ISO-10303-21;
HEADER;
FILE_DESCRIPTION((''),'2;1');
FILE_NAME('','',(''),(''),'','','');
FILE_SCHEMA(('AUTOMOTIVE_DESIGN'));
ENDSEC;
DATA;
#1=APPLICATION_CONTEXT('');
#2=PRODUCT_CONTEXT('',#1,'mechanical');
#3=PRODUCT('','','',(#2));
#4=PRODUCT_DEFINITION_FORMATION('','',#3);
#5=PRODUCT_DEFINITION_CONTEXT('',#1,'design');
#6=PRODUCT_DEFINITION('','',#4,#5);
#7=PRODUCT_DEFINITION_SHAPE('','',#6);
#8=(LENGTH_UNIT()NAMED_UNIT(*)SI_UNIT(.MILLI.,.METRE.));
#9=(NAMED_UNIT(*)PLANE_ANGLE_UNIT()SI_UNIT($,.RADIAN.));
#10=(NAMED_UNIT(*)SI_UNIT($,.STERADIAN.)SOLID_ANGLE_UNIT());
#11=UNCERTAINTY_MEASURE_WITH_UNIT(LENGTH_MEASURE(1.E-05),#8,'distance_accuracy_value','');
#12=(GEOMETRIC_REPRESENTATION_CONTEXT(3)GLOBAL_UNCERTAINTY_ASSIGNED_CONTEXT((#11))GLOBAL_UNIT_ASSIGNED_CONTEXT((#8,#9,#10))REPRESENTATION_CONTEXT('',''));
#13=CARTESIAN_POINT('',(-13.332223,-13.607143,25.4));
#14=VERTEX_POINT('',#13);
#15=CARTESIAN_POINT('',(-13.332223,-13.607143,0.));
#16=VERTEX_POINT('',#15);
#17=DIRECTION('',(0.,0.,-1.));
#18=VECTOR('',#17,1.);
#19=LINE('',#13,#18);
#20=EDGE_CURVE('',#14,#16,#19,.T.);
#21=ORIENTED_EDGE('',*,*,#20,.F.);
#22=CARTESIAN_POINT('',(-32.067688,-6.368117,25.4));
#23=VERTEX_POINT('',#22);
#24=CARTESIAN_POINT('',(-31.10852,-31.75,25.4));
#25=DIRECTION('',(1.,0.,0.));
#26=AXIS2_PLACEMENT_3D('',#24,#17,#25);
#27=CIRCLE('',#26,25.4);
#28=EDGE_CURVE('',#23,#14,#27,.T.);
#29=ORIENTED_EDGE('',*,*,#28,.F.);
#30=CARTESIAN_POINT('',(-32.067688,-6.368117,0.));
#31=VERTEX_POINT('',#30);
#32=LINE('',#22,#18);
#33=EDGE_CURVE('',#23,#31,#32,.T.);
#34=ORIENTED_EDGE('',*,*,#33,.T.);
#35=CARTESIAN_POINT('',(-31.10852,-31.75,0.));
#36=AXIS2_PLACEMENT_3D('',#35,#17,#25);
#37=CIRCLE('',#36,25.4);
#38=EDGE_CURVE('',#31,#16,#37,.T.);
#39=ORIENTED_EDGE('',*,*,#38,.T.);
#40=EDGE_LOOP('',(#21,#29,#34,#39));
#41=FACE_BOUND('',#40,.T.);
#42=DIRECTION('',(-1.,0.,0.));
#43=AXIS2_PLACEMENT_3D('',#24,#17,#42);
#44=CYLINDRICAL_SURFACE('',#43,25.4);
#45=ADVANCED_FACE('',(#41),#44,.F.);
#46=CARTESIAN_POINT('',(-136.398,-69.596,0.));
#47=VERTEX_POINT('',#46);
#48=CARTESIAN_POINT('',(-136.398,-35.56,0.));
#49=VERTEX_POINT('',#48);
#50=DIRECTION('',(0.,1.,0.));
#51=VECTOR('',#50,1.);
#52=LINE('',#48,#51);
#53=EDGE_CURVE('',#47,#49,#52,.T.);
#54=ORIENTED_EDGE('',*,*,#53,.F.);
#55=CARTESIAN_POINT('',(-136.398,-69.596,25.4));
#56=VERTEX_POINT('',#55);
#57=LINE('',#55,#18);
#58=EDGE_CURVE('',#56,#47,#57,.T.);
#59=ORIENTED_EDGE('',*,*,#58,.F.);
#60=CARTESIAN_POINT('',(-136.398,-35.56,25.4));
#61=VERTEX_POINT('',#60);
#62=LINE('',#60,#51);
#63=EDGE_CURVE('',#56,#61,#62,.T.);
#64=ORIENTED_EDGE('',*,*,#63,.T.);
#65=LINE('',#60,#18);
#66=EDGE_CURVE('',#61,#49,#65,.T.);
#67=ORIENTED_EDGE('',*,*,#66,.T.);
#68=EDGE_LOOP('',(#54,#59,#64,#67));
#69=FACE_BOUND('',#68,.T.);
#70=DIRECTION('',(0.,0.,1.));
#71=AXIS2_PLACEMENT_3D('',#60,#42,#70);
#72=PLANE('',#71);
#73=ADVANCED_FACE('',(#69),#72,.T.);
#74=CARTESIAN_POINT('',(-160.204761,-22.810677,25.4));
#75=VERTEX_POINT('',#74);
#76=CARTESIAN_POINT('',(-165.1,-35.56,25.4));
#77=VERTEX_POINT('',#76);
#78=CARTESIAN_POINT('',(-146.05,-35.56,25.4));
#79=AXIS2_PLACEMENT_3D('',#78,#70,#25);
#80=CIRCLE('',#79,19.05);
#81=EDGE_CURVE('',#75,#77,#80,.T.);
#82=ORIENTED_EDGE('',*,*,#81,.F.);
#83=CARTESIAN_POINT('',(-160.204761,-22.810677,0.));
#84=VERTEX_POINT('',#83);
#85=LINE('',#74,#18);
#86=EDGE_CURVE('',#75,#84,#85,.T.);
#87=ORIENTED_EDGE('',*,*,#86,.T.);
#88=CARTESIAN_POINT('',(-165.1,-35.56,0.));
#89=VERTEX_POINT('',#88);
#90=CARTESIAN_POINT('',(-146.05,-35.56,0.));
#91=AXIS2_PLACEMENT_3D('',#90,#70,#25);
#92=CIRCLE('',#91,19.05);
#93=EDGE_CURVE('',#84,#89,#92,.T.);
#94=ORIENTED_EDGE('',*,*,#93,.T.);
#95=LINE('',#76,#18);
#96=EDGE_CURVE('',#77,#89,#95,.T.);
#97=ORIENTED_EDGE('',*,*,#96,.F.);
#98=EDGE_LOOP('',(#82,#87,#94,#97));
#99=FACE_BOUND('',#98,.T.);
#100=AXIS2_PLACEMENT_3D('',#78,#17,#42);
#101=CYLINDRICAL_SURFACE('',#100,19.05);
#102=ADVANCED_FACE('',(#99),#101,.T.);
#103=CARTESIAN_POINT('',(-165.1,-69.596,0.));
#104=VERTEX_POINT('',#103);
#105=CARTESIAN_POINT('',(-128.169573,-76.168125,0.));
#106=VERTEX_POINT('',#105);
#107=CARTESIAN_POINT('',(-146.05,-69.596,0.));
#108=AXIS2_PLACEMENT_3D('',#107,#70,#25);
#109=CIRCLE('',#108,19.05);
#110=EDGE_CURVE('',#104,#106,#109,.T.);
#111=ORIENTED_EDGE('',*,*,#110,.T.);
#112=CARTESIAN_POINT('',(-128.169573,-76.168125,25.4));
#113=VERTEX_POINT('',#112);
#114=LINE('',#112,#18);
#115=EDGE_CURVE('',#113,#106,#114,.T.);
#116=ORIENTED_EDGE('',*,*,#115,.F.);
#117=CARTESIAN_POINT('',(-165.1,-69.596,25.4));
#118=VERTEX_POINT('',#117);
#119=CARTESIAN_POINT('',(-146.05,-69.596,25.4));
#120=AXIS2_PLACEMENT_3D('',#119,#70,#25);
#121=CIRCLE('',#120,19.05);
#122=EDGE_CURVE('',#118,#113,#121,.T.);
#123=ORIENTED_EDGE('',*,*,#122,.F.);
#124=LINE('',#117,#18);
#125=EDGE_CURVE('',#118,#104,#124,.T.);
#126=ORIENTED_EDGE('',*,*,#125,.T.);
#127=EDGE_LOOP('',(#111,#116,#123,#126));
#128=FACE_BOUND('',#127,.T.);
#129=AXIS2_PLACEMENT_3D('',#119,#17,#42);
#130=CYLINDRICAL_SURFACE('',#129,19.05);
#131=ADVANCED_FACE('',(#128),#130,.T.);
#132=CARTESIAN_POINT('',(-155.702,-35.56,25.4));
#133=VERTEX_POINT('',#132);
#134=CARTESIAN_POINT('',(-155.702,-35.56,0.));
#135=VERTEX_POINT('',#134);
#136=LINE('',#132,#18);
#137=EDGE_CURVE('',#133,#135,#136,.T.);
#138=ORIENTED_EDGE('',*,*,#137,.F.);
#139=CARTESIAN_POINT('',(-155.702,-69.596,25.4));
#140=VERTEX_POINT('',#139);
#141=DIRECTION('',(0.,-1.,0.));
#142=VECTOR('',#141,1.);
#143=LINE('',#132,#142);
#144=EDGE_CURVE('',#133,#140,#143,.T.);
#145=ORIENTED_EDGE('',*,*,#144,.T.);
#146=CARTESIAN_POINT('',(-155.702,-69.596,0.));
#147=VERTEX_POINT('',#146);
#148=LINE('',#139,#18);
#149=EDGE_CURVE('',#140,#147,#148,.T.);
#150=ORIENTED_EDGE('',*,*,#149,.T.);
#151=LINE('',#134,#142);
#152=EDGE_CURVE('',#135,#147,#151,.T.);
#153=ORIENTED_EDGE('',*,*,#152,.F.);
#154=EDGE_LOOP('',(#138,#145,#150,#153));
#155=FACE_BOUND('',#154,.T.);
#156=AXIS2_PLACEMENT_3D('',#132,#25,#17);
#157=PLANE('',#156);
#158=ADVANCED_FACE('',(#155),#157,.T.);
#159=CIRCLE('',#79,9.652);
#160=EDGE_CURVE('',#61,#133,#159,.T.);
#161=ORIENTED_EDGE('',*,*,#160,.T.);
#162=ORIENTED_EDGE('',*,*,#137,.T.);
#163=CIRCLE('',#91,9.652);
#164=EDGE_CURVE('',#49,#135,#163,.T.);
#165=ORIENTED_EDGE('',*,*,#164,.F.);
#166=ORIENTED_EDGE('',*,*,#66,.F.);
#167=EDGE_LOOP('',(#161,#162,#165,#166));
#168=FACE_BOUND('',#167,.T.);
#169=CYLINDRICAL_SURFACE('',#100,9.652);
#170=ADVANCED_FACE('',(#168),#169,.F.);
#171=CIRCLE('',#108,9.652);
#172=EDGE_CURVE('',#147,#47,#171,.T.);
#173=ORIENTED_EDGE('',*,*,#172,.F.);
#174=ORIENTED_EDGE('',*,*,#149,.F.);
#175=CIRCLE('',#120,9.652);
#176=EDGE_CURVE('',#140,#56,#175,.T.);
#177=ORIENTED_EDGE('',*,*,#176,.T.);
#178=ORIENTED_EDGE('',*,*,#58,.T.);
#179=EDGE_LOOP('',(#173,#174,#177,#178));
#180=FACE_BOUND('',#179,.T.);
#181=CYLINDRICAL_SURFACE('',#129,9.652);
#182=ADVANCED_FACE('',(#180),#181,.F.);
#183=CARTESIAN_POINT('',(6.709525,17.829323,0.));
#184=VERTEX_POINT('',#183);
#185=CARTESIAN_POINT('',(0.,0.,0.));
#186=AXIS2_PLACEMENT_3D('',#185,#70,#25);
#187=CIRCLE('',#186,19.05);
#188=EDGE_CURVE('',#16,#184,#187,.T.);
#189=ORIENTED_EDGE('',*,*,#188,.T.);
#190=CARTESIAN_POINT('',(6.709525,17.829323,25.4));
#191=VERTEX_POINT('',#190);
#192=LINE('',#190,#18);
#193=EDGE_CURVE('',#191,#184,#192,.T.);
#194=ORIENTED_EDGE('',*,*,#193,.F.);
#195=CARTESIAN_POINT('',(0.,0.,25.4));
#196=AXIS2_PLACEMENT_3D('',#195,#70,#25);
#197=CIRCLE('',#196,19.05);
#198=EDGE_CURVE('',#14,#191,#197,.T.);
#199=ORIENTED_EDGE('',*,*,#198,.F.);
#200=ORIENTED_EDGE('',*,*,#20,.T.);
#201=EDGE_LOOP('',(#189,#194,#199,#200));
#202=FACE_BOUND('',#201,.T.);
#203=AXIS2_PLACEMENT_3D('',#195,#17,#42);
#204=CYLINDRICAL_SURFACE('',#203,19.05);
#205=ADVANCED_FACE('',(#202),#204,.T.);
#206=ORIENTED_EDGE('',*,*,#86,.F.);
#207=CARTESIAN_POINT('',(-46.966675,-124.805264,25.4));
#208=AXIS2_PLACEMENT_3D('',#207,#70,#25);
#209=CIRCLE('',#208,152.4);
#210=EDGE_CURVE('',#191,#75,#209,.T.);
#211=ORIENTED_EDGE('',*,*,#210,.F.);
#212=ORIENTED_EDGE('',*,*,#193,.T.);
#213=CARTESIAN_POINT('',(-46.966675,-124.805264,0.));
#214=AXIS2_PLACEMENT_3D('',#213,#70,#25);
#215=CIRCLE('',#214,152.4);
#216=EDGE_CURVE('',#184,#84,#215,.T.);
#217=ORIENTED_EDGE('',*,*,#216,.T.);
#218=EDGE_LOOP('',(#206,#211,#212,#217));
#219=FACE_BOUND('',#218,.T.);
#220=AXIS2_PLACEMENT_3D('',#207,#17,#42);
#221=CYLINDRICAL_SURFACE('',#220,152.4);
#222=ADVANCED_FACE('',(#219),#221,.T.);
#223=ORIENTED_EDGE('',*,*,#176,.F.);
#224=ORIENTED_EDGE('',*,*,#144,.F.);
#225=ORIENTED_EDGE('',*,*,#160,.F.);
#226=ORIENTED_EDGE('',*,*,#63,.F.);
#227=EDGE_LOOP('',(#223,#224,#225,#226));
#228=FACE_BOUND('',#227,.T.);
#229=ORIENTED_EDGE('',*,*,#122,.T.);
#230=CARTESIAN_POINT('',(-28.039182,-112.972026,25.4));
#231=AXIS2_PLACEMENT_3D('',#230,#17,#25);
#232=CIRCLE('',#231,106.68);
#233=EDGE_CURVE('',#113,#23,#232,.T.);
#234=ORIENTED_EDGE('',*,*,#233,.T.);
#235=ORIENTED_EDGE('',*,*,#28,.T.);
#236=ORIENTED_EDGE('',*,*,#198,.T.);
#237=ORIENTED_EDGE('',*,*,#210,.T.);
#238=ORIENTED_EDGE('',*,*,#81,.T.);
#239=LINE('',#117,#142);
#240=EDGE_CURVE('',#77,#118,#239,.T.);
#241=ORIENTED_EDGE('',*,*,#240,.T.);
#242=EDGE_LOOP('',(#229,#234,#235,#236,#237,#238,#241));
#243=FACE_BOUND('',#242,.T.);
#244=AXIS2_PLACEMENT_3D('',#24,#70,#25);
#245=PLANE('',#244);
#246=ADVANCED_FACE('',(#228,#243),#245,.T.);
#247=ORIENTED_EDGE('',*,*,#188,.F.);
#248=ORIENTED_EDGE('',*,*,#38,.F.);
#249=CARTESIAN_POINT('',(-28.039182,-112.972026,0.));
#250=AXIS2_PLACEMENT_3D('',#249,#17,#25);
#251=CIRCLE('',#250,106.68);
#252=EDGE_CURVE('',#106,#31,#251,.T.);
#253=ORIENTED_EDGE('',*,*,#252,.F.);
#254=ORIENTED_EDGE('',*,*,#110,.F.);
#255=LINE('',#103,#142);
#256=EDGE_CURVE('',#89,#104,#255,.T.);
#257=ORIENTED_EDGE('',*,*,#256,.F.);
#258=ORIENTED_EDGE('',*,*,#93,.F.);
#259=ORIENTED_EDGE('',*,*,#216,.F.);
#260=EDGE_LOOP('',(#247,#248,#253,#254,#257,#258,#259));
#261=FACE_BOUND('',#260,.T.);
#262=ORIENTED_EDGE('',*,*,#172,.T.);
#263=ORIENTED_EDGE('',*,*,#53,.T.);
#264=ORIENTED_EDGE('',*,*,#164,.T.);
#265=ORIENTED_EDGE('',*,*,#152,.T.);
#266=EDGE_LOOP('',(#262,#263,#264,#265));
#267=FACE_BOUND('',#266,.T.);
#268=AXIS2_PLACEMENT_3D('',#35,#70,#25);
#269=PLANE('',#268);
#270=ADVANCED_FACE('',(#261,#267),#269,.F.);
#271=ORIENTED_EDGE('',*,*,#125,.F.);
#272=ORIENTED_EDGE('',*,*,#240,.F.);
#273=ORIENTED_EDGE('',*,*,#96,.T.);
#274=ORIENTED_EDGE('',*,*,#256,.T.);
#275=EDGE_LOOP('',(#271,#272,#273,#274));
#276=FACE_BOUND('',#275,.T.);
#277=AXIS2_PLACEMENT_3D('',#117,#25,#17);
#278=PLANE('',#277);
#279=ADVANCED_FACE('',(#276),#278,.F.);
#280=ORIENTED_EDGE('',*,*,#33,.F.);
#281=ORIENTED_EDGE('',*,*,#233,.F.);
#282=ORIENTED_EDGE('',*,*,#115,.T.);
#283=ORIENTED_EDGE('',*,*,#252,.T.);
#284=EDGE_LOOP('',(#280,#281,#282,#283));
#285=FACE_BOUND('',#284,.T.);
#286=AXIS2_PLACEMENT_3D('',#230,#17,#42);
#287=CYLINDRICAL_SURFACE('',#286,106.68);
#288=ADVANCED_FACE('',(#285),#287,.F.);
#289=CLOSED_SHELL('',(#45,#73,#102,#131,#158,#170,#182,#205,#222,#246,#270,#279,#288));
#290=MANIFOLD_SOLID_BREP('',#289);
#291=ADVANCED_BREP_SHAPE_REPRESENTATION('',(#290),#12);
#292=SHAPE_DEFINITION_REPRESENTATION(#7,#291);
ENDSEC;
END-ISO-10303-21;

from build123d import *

# Parameters (mm, degrees)
BOSS_EXTRUDE1_DEPTH = 25.4


with BuildPart() as part:
    # Sketch1 → Boss-Extrude1 (new body)
    with BuildSketch(Plane.XY):
        with BuildLine():
            Line((-165.1, -69.596), (-165.1, -35.56))
            ThreePointArc((-165.1, -35.56), (-163.834131861, -28.731592137), (-160.20476074, -22.810676552))
            ThreePointArc((-160.20476074, -22.810676552), (-83.019510627, 23.268882931), (6.709524974, 17.829323448))
            ThreePointArc((6.709524974, 17.829323448), (16.063246399, -10.240830783), (-13.332222743, -13.607142857))
            ThreePointArc((-13.332222743, -13.607142857), (-21.95402191, -8.057064985), (-32.067687872, -6.368116766))
            ThreePointArc((-32.067687872, -6.368116766), (-90.731121166, -26.656656194), (-128.169572983, -76.168125204))
            ThreePointArc((-128.169572983, -76.168125204), (-149.387691218, -88.351327705), (-165.1, -69.596))
        make_face()
        with BuildLine():
            Line((-155.702, -35.56), (-155.702, -69.596))
            ThreePointArc((-155.702, -69.596), (-146.05, -79.248), (-136.398, -69.596))
            Line((-136.398, -69.596), (-136.398, -35.56))
            ThreePointArc((-136.398, -35.56), (-146.05, -25.908), (-155.702, -35.56))
        make_face(mode=Mode.SUBTRACT)
    extrude(amount=BOSS_EXTRUDE1_DEPTH)


solid = part.part
